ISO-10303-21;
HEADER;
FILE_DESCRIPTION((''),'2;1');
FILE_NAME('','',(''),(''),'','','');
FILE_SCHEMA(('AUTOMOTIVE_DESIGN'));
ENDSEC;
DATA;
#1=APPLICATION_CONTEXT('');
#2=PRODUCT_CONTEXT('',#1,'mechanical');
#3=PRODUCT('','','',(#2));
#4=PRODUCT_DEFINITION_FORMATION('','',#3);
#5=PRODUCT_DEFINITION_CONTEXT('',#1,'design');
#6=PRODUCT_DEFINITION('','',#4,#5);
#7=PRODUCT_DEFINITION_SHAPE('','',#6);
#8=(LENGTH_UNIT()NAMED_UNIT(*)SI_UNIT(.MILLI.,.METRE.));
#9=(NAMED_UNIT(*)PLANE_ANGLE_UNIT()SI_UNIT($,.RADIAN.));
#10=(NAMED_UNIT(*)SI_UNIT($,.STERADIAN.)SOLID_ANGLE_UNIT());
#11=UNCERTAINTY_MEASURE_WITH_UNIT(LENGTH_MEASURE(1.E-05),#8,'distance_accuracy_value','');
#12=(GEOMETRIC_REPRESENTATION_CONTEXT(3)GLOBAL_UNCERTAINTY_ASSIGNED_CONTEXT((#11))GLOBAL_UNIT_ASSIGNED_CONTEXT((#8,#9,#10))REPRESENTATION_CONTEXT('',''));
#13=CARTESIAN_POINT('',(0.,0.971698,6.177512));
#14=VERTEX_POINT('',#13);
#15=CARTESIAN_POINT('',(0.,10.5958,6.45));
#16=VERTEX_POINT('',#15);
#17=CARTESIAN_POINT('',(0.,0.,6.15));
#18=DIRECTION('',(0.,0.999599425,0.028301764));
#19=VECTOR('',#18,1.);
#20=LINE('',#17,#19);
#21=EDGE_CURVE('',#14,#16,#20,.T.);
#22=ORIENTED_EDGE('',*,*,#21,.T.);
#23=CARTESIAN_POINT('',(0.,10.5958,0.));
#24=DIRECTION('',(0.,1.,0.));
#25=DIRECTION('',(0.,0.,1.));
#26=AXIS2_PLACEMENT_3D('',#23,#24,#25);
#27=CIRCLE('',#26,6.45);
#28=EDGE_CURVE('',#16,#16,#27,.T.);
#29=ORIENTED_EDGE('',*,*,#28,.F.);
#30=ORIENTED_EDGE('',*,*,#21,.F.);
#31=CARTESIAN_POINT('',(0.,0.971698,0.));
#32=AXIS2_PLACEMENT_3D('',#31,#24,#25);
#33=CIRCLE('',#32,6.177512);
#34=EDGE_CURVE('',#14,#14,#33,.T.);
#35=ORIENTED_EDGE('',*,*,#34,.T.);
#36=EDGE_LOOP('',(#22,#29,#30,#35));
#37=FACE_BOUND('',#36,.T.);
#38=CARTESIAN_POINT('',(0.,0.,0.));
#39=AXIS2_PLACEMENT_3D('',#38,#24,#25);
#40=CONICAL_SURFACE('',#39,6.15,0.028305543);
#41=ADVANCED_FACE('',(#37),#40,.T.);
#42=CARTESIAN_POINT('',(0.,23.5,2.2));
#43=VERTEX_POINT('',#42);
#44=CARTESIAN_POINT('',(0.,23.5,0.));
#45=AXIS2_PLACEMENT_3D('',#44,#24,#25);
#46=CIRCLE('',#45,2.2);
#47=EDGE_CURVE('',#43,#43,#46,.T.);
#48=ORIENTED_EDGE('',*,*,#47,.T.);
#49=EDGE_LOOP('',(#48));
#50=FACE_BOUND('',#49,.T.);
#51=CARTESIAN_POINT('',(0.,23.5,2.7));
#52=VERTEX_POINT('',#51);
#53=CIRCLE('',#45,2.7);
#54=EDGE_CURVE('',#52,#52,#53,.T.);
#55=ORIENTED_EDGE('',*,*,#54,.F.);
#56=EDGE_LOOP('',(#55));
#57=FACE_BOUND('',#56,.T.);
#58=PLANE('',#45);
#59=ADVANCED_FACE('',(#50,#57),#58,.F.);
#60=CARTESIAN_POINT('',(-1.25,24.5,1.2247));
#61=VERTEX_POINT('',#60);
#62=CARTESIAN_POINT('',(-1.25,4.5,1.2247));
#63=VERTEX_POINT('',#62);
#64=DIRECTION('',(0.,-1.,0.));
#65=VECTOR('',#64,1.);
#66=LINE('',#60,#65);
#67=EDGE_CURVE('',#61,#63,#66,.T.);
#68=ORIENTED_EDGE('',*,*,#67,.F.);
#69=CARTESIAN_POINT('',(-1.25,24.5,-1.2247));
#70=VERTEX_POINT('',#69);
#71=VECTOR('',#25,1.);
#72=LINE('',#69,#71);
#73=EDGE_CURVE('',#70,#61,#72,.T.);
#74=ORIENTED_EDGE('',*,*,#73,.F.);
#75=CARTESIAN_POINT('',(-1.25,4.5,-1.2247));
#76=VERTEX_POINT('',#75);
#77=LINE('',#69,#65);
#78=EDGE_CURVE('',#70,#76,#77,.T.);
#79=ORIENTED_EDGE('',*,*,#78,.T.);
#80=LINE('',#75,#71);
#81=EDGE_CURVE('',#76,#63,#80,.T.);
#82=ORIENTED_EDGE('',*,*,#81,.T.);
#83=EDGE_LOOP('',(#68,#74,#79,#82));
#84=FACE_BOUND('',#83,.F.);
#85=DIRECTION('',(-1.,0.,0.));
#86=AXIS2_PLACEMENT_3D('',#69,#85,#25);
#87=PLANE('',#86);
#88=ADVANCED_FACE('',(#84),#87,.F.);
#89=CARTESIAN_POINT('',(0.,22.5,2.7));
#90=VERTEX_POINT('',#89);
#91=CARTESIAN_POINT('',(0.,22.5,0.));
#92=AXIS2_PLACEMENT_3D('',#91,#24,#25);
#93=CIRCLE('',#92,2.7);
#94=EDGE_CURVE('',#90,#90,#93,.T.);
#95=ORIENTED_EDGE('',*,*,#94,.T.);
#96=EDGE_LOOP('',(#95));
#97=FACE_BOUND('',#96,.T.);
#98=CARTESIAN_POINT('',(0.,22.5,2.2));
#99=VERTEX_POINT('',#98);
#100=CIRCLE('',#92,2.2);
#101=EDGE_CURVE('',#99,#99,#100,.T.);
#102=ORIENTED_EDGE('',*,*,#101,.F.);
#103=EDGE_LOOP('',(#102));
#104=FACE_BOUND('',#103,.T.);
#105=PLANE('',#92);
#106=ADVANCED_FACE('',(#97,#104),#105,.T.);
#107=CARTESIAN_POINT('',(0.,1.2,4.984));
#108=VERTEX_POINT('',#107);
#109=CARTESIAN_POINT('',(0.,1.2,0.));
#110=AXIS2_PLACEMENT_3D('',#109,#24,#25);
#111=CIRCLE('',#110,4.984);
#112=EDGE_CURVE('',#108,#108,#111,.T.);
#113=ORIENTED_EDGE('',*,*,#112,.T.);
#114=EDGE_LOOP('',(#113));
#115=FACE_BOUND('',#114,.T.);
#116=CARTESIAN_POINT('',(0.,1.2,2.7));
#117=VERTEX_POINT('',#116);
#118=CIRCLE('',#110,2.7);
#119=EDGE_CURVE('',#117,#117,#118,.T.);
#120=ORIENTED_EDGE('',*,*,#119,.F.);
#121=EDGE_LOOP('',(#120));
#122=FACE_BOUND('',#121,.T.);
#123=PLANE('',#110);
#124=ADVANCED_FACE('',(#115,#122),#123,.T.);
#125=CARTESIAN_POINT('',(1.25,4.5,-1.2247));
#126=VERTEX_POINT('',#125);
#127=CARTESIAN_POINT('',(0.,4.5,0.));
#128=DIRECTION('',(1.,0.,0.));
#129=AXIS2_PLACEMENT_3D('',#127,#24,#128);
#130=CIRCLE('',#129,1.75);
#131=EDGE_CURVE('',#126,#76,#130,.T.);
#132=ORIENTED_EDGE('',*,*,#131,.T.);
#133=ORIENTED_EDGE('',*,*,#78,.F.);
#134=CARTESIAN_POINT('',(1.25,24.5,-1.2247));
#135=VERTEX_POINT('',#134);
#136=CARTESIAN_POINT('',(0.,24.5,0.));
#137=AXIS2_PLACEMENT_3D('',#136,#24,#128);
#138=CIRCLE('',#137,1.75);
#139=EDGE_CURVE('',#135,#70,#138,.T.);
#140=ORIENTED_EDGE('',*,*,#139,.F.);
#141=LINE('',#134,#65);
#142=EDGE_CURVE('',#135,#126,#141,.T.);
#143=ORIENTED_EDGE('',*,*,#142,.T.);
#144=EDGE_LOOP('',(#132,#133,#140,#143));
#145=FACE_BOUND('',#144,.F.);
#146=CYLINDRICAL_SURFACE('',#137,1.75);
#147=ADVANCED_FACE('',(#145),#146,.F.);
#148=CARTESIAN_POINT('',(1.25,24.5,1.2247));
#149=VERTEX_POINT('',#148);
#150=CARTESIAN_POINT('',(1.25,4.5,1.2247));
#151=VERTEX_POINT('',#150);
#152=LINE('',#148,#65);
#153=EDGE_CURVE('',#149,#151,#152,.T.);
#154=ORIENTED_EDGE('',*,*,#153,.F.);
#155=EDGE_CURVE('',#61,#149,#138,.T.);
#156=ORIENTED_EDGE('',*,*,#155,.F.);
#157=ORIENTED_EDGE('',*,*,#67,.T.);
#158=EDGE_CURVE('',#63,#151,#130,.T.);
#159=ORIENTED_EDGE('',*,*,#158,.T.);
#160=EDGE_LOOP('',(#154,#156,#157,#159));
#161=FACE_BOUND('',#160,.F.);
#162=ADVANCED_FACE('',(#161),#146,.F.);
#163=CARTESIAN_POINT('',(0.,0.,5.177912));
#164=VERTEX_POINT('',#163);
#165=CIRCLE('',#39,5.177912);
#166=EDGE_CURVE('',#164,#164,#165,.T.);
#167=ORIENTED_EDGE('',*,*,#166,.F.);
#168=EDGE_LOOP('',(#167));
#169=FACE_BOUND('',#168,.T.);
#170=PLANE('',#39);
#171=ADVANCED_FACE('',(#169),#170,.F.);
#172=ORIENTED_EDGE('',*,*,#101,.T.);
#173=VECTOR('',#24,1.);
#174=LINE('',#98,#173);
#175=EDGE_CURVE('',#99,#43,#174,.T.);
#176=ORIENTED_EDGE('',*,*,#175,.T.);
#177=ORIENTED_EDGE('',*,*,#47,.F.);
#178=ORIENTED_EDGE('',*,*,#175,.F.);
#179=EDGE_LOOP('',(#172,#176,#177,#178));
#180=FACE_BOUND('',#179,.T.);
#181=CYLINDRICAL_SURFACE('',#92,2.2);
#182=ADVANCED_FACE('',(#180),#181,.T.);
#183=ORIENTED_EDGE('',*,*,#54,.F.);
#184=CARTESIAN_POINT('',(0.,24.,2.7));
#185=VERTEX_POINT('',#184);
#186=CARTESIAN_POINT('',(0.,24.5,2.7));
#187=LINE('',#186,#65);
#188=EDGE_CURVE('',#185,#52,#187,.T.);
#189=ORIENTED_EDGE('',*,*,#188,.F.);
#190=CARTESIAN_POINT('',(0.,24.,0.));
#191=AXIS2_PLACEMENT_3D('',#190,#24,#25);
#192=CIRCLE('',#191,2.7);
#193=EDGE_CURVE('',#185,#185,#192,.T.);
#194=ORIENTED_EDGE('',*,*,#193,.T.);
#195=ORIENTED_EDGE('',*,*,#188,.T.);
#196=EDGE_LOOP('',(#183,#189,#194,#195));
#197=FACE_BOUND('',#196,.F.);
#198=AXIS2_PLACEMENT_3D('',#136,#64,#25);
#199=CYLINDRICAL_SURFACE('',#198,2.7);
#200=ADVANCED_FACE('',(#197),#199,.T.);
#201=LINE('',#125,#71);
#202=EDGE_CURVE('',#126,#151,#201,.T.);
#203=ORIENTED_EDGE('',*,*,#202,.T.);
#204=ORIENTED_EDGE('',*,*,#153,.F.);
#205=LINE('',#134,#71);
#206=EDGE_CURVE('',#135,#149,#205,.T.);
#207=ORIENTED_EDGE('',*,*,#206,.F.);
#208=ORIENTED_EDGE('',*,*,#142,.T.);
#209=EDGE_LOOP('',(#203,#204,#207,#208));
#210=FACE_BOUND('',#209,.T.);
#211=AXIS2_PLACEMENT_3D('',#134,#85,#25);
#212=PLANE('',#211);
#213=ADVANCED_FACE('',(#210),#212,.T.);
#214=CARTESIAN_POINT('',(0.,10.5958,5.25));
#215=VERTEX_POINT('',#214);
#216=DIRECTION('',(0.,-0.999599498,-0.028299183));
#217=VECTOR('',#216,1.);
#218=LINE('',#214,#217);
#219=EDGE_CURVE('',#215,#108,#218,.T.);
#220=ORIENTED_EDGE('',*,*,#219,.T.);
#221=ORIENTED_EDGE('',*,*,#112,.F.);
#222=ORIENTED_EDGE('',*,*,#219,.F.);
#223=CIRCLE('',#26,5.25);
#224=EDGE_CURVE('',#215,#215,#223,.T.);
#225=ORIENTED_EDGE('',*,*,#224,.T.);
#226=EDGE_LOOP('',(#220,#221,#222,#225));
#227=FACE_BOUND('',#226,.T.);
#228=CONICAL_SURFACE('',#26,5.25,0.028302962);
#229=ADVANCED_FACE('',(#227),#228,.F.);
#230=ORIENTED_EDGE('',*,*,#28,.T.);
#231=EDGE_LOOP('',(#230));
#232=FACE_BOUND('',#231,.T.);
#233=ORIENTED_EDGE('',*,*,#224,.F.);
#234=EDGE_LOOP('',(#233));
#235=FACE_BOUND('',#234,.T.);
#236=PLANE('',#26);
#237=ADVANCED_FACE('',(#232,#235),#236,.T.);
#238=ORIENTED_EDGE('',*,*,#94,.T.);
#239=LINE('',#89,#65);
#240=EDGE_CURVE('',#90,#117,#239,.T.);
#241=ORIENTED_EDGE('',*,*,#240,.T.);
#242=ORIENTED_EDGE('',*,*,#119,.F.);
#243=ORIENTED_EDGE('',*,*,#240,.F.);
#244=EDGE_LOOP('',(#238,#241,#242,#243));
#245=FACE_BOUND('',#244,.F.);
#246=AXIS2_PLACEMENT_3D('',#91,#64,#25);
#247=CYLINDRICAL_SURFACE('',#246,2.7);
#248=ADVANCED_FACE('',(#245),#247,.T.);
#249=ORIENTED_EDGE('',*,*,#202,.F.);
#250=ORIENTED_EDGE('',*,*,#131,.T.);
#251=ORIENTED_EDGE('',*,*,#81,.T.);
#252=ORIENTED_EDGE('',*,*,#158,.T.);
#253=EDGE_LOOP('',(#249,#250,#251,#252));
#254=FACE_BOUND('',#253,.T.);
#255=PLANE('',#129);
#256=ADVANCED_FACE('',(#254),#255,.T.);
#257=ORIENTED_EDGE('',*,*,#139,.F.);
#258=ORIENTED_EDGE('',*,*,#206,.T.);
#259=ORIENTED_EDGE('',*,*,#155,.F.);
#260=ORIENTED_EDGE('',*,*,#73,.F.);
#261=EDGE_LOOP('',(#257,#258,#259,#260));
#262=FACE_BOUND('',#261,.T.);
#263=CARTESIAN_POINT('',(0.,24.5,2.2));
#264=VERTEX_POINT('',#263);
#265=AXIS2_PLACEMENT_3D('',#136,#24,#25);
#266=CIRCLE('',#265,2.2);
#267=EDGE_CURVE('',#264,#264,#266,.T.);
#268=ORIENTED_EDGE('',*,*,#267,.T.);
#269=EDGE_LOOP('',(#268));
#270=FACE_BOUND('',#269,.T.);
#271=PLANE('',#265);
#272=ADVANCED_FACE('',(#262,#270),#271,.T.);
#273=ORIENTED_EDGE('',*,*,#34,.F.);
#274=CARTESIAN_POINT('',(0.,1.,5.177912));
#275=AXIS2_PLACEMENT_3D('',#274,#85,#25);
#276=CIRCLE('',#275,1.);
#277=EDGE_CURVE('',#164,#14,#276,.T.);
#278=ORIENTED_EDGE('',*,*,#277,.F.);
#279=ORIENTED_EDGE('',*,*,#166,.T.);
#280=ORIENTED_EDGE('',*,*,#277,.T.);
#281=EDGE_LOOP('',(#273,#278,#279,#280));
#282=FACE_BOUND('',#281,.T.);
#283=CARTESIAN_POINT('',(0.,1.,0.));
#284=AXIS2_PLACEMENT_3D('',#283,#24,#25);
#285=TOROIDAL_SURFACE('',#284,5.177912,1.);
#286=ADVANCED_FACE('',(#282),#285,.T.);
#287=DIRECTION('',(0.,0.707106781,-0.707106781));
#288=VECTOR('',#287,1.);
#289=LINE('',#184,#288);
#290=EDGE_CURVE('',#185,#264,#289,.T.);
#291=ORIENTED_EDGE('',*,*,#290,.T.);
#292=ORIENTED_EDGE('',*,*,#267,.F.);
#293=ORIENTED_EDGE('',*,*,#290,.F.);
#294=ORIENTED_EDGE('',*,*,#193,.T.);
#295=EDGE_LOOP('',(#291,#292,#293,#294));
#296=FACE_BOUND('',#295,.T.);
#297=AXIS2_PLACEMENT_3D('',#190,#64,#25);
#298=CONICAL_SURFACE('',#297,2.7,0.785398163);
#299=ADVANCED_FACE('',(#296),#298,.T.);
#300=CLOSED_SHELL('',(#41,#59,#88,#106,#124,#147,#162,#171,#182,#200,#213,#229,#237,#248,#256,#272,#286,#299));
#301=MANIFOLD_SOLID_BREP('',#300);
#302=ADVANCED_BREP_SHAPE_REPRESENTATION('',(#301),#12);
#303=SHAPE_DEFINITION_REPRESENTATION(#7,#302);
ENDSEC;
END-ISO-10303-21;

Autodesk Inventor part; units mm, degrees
ref_plane "YZ Plane" through (0, 0, 0) normal (1, 0, 0) x (0, 1, 0)
ref_plane "XZ Plane" through (0, 0, 0) normal (0, 1, 0) x (-1, 0, 0)
ref_plane "XY Plane" through (0, 0, 0) normal (0, 0, 1) x (1, 0, 0)
sketch "Эскиз1" plane through (0, 0, 0) normal (1, 0, 0) x (0, 1, 0)
  line L0 (0, 0) -> (35, 0)
  line L1 (0, 0) -> (0, 6.15)
  line L2 (0, 6.15) -> (10.5958, 6.45)
  line L3 (10.5958, 6.45) -> (10.5958, 5.25)
  line L4 (10.5958, 5.25) -> (1.2, 4.984)
  line L5 (1.2, 4.984) -> (1.2, 2.7)
  line L6 (24.5, 2.7) -> (24.5, 0)
  line L7 (22.5, 2.7) -> (22.5, 2.2)
  line L8 (22.5, 2.2) -> (23.5, 2.2)
  line L9 (23.5, 2.2) -> (23.5, 2.7)
  line L10 (24.5, 2.7) -> (23.5, 2.7)
  line L11 (22.5, 2.7) -> (1.2, 2.7)
  point P0 (0, 3.075)
  dimension "d0" = 35
  dimension "d1" = 6.15
  dimension "d2" = 10.6
  dimension "d4" = 24.5
  dimension "d5" = 2.7
  dimension "d6" = 6.45
  dimension "d7" = 1.2
  dimension "d8" = 1.2
  dimension "d11" = 1
  dimension "d12" = 1
  dimension "d21" = 0.5
  dimension "d22" = 0
revolve "Вращение1" add sketch "Эскиз1" angle 360 about axis through (0, 0, 0) along (0, 1, 0)
fillet "Сопряжение1" radius 1 1 edges at (0, 0, -6.15)
sketch "Эскиз2" plane through (0, 24.5, 0) normal (0, 1, 0) x (1, 0, 0)
  circle A0 centre (0, 0) radius 1.75
  line L0 (-1.25, 1.2247) -> (-1.25, -1.2247)
  line L1 (1.25, 1.2247) -> (1.25, -1.2247)
  dimension "d13" = 3.5
  dimension "d19" = 1.25
  dimension "d20" = 1.25
extrude "Выдавливание1" cut sketch "Эскиз2" against normal blind 20 contours L1 A0 L0
chamfer "Фаска1" distance 0.5 angle 45 1 edges at (0, 24.5, -2.7)
properties part number "Кнопка для кухонной плиты"
